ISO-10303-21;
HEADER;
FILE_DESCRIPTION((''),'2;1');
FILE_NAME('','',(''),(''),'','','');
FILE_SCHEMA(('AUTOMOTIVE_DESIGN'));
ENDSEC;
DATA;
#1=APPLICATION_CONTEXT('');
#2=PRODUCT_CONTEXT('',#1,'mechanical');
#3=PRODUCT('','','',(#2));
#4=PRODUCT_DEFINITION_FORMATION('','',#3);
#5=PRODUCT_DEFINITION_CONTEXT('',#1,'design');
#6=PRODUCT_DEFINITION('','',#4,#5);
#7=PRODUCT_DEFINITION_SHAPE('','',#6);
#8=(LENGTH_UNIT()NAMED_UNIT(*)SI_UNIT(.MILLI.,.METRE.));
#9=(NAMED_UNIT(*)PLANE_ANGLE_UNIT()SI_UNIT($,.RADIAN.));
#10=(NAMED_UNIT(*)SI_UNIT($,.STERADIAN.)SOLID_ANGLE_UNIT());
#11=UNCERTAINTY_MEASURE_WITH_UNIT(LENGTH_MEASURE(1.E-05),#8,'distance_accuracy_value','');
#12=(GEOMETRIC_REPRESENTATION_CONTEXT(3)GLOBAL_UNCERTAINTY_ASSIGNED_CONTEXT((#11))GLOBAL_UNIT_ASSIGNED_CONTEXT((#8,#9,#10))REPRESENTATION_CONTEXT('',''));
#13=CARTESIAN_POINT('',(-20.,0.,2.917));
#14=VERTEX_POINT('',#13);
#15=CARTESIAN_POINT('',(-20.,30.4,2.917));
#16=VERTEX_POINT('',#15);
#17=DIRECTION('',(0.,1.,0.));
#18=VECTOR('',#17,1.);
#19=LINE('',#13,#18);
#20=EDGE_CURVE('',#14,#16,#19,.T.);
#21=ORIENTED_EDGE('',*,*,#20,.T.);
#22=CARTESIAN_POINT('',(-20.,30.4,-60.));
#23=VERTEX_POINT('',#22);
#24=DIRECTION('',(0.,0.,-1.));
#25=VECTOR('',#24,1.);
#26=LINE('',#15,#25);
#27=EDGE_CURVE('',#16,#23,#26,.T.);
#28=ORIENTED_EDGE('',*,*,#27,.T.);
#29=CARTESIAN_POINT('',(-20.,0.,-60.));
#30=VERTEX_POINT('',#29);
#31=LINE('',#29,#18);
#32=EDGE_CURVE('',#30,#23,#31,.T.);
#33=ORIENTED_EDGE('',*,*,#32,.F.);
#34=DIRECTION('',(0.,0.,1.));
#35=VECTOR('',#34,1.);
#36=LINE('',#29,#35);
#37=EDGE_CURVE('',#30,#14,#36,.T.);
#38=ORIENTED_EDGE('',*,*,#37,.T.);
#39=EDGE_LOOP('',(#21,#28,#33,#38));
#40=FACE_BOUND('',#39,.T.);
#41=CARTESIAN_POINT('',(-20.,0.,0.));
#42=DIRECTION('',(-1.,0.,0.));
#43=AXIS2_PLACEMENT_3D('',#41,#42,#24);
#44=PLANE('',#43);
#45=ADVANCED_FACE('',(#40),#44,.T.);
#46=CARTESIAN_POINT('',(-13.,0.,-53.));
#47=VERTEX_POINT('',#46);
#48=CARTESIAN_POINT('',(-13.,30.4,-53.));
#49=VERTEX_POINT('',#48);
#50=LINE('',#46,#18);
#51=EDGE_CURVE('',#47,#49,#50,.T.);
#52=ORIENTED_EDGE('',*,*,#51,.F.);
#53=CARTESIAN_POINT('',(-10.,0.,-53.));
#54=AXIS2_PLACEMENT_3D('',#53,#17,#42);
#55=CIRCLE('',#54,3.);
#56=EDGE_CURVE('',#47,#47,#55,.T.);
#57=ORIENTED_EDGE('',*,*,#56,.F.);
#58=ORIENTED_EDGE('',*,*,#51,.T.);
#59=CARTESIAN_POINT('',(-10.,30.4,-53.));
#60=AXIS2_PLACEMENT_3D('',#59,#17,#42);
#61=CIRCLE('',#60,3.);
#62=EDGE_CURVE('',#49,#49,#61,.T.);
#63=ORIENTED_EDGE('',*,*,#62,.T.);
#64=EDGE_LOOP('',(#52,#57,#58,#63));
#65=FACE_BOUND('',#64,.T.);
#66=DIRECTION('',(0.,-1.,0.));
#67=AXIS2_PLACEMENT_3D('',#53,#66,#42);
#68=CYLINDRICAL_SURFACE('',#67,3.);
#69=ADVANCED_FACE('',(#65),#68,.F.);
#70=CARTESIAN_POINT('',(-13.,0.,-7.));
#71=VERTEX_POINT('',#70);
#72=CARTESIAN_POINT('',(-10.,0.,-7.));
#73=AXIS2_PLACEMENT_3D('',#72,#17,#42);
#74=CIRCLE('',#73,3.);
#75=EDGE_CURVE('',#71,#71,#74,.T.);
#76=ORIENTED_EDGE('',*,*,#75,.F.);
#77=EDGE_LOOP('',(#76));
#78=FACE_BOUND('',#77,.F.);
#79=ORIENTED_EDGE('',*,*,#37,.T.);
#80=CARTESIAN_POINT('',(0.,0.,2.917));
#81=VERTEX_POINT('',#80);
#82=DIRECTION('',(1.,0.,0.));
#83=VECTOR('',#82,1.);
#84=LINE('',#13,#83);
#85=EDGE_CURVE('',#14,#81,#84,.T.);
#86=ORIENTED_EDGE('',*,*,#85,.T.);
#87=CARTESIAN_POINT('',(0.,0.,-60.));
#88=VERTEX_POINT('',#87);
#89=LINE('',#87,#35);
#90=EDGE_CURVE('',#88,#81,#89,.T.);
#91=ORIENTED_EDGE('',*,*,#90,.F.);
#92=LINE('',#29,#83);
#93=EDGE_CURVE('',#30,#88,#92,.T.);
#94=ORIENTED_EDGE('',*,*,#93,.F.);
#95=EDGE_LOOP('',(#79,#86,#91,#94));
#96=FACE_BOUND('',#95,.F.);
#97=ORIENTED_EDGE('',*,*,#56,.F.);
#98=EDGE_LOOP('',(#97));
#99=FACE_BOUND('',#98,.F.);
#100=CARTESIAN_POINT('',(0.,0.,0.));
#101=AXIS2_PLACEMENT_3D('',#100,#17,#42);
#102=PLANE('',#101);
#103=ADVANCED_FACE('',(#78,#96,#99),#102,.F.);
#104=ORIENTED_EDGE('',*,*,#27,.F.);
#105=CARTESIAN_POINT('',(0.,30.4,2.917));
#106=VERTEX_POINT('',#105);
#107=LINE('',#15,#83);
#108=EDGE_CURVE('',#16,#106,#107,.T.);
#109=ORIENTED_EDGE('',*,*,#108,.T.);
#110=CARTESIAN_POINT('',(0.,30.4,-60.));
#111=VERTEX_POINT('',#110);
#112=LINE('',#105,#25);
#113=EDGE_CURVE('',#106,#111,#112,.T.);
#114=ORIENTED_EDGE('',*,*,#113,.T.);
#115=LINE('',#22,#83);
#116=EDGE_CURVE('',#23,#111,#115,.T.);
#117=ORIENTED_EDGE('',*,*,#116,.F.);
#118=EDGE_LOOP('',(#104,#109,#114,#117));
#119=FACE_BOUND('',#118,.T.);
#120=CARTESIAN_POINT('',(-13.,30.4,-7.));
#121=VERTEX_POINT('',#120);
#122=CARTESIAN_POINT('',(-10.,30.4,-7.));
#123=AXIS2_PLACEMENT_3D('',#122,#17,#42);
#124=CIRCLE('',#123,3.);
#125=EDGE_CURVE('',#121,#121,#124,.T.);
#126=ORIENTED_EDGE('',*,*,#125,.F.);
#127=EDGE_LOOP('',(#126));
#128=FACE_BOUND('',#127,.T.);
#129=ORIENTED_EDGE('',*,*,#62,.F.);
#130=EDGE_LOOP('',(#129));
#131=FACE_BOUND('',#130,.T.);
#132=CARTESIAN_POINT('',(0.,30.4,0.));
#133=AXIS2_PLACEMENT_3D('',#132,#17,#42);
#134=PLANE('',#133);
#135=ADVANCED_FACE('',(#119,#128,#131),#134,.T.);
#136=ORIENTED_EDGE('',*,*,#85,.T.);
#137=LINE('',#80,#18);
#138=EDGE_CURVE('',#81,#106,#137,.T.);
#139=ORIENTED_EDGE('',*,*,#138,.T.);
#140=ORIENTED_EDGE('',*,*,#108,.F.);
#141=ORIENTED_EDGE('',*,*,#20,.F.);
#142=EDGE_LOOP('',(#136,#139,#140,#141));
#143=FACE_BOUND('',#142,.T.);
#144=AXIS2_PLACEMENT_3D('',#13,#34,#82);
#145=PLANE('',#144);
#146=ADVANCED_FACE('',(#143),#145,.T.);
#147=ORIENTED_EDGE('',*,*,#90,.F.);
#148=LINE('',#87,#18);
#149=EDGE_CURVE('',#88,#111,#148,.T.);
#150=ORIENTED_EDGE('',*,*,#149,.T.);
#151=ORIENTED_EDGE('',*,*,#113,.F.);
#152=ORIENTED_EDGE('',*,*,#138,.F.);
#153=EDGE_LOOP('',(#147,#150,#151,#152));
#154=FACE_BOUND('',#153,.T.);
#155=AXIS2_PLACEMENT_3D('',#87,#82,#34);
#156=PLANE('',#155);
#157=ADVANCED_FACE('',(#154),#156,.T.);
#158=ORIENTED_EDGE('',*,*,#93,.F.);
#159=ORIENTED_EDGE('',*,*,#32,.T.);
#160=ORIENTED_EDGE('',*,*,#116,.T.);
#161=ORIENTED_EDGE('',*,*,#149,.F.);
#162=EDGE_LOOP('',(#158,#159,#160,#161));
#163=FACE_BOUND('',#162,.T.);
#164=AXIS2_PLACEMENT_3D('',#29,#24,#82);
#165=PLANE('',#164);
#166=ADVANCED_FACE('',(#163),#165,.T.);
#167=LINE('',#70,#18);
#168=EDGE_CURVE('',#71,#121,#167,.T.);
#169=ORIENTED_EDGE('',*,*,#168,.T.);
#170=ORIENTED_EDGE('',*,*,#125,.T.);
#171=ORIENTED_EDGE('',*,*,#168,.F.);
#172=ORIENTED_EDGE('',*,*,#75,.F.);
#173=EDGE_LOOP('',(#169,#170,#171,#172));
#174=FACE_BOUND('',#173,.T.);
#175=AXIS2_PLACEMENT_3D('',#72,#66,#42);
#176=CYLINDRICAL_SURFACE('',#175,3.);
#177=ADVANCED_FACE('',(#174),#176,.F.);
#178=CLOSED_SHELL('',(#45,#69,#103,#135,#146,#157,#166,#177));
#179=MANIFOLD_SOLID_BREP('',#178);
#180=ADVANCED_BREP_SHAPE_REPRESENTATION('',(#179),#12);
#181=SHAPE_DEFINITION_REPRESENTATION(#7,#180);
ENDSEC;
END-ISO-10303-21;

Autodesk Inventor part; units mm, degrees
ref_plane "YZ Plane" through (0, 0, 0) normal (1, 0, 0) x (0, 1, 0)
ref_plane "XZ Plane" through (0, 0, 0) normal (0, 1, 0) x (-1, 0, 0)
ref_plane "XY Plane" through (0, 0, 0) normal (0, 0, 1) x (1, 0, 0)
sketch "Sketch1" plane through (0, 0, 0) normal (0, 1, 0) x (-1, 0, 0)
  line L0 (0, 0) -> (20, 0)
  line L1 (20, 0) -> (20, -60)
  line L2 (20, -60) -> (0, -60)
  line L3 (0, -60) -> (0, 0)
  circle A0 centre (10, -53) radius 3
  circle A1 centre (10, -7) radius 3
  line L4 (10, -7) -> (10, -53) construction
  point P0 (10, 0)
  point P1 (10, -60)
  point P2 (20, -30)
  point P3 (10, -30)
  dimension "d0" = 60
  dimension "d1" = 20
  dimension "d2" = 6
  dimension "d3" = 6
  dimension "d4" = 46
extrude "Extrusion1" add sketch "Sketch1" along normal blind 30.4
sketch "Sketch2" plane through (-20, 0, 0) normal (0, 0, 1) x (1, 0, 0)
  line L0 (0, 0) -> (20, 0) projected
  line L1 (20, 0) -> (20, 30.4) projected
  line L2 (0, 30.4) -> (20, 30.4) projected
  line L3 (0, 0) -> (0, 30.4) projected
extrude "Extrusion2" add sketch "Sketch2" along normal blind 2.917
properties part number "BF12_Spacer"
